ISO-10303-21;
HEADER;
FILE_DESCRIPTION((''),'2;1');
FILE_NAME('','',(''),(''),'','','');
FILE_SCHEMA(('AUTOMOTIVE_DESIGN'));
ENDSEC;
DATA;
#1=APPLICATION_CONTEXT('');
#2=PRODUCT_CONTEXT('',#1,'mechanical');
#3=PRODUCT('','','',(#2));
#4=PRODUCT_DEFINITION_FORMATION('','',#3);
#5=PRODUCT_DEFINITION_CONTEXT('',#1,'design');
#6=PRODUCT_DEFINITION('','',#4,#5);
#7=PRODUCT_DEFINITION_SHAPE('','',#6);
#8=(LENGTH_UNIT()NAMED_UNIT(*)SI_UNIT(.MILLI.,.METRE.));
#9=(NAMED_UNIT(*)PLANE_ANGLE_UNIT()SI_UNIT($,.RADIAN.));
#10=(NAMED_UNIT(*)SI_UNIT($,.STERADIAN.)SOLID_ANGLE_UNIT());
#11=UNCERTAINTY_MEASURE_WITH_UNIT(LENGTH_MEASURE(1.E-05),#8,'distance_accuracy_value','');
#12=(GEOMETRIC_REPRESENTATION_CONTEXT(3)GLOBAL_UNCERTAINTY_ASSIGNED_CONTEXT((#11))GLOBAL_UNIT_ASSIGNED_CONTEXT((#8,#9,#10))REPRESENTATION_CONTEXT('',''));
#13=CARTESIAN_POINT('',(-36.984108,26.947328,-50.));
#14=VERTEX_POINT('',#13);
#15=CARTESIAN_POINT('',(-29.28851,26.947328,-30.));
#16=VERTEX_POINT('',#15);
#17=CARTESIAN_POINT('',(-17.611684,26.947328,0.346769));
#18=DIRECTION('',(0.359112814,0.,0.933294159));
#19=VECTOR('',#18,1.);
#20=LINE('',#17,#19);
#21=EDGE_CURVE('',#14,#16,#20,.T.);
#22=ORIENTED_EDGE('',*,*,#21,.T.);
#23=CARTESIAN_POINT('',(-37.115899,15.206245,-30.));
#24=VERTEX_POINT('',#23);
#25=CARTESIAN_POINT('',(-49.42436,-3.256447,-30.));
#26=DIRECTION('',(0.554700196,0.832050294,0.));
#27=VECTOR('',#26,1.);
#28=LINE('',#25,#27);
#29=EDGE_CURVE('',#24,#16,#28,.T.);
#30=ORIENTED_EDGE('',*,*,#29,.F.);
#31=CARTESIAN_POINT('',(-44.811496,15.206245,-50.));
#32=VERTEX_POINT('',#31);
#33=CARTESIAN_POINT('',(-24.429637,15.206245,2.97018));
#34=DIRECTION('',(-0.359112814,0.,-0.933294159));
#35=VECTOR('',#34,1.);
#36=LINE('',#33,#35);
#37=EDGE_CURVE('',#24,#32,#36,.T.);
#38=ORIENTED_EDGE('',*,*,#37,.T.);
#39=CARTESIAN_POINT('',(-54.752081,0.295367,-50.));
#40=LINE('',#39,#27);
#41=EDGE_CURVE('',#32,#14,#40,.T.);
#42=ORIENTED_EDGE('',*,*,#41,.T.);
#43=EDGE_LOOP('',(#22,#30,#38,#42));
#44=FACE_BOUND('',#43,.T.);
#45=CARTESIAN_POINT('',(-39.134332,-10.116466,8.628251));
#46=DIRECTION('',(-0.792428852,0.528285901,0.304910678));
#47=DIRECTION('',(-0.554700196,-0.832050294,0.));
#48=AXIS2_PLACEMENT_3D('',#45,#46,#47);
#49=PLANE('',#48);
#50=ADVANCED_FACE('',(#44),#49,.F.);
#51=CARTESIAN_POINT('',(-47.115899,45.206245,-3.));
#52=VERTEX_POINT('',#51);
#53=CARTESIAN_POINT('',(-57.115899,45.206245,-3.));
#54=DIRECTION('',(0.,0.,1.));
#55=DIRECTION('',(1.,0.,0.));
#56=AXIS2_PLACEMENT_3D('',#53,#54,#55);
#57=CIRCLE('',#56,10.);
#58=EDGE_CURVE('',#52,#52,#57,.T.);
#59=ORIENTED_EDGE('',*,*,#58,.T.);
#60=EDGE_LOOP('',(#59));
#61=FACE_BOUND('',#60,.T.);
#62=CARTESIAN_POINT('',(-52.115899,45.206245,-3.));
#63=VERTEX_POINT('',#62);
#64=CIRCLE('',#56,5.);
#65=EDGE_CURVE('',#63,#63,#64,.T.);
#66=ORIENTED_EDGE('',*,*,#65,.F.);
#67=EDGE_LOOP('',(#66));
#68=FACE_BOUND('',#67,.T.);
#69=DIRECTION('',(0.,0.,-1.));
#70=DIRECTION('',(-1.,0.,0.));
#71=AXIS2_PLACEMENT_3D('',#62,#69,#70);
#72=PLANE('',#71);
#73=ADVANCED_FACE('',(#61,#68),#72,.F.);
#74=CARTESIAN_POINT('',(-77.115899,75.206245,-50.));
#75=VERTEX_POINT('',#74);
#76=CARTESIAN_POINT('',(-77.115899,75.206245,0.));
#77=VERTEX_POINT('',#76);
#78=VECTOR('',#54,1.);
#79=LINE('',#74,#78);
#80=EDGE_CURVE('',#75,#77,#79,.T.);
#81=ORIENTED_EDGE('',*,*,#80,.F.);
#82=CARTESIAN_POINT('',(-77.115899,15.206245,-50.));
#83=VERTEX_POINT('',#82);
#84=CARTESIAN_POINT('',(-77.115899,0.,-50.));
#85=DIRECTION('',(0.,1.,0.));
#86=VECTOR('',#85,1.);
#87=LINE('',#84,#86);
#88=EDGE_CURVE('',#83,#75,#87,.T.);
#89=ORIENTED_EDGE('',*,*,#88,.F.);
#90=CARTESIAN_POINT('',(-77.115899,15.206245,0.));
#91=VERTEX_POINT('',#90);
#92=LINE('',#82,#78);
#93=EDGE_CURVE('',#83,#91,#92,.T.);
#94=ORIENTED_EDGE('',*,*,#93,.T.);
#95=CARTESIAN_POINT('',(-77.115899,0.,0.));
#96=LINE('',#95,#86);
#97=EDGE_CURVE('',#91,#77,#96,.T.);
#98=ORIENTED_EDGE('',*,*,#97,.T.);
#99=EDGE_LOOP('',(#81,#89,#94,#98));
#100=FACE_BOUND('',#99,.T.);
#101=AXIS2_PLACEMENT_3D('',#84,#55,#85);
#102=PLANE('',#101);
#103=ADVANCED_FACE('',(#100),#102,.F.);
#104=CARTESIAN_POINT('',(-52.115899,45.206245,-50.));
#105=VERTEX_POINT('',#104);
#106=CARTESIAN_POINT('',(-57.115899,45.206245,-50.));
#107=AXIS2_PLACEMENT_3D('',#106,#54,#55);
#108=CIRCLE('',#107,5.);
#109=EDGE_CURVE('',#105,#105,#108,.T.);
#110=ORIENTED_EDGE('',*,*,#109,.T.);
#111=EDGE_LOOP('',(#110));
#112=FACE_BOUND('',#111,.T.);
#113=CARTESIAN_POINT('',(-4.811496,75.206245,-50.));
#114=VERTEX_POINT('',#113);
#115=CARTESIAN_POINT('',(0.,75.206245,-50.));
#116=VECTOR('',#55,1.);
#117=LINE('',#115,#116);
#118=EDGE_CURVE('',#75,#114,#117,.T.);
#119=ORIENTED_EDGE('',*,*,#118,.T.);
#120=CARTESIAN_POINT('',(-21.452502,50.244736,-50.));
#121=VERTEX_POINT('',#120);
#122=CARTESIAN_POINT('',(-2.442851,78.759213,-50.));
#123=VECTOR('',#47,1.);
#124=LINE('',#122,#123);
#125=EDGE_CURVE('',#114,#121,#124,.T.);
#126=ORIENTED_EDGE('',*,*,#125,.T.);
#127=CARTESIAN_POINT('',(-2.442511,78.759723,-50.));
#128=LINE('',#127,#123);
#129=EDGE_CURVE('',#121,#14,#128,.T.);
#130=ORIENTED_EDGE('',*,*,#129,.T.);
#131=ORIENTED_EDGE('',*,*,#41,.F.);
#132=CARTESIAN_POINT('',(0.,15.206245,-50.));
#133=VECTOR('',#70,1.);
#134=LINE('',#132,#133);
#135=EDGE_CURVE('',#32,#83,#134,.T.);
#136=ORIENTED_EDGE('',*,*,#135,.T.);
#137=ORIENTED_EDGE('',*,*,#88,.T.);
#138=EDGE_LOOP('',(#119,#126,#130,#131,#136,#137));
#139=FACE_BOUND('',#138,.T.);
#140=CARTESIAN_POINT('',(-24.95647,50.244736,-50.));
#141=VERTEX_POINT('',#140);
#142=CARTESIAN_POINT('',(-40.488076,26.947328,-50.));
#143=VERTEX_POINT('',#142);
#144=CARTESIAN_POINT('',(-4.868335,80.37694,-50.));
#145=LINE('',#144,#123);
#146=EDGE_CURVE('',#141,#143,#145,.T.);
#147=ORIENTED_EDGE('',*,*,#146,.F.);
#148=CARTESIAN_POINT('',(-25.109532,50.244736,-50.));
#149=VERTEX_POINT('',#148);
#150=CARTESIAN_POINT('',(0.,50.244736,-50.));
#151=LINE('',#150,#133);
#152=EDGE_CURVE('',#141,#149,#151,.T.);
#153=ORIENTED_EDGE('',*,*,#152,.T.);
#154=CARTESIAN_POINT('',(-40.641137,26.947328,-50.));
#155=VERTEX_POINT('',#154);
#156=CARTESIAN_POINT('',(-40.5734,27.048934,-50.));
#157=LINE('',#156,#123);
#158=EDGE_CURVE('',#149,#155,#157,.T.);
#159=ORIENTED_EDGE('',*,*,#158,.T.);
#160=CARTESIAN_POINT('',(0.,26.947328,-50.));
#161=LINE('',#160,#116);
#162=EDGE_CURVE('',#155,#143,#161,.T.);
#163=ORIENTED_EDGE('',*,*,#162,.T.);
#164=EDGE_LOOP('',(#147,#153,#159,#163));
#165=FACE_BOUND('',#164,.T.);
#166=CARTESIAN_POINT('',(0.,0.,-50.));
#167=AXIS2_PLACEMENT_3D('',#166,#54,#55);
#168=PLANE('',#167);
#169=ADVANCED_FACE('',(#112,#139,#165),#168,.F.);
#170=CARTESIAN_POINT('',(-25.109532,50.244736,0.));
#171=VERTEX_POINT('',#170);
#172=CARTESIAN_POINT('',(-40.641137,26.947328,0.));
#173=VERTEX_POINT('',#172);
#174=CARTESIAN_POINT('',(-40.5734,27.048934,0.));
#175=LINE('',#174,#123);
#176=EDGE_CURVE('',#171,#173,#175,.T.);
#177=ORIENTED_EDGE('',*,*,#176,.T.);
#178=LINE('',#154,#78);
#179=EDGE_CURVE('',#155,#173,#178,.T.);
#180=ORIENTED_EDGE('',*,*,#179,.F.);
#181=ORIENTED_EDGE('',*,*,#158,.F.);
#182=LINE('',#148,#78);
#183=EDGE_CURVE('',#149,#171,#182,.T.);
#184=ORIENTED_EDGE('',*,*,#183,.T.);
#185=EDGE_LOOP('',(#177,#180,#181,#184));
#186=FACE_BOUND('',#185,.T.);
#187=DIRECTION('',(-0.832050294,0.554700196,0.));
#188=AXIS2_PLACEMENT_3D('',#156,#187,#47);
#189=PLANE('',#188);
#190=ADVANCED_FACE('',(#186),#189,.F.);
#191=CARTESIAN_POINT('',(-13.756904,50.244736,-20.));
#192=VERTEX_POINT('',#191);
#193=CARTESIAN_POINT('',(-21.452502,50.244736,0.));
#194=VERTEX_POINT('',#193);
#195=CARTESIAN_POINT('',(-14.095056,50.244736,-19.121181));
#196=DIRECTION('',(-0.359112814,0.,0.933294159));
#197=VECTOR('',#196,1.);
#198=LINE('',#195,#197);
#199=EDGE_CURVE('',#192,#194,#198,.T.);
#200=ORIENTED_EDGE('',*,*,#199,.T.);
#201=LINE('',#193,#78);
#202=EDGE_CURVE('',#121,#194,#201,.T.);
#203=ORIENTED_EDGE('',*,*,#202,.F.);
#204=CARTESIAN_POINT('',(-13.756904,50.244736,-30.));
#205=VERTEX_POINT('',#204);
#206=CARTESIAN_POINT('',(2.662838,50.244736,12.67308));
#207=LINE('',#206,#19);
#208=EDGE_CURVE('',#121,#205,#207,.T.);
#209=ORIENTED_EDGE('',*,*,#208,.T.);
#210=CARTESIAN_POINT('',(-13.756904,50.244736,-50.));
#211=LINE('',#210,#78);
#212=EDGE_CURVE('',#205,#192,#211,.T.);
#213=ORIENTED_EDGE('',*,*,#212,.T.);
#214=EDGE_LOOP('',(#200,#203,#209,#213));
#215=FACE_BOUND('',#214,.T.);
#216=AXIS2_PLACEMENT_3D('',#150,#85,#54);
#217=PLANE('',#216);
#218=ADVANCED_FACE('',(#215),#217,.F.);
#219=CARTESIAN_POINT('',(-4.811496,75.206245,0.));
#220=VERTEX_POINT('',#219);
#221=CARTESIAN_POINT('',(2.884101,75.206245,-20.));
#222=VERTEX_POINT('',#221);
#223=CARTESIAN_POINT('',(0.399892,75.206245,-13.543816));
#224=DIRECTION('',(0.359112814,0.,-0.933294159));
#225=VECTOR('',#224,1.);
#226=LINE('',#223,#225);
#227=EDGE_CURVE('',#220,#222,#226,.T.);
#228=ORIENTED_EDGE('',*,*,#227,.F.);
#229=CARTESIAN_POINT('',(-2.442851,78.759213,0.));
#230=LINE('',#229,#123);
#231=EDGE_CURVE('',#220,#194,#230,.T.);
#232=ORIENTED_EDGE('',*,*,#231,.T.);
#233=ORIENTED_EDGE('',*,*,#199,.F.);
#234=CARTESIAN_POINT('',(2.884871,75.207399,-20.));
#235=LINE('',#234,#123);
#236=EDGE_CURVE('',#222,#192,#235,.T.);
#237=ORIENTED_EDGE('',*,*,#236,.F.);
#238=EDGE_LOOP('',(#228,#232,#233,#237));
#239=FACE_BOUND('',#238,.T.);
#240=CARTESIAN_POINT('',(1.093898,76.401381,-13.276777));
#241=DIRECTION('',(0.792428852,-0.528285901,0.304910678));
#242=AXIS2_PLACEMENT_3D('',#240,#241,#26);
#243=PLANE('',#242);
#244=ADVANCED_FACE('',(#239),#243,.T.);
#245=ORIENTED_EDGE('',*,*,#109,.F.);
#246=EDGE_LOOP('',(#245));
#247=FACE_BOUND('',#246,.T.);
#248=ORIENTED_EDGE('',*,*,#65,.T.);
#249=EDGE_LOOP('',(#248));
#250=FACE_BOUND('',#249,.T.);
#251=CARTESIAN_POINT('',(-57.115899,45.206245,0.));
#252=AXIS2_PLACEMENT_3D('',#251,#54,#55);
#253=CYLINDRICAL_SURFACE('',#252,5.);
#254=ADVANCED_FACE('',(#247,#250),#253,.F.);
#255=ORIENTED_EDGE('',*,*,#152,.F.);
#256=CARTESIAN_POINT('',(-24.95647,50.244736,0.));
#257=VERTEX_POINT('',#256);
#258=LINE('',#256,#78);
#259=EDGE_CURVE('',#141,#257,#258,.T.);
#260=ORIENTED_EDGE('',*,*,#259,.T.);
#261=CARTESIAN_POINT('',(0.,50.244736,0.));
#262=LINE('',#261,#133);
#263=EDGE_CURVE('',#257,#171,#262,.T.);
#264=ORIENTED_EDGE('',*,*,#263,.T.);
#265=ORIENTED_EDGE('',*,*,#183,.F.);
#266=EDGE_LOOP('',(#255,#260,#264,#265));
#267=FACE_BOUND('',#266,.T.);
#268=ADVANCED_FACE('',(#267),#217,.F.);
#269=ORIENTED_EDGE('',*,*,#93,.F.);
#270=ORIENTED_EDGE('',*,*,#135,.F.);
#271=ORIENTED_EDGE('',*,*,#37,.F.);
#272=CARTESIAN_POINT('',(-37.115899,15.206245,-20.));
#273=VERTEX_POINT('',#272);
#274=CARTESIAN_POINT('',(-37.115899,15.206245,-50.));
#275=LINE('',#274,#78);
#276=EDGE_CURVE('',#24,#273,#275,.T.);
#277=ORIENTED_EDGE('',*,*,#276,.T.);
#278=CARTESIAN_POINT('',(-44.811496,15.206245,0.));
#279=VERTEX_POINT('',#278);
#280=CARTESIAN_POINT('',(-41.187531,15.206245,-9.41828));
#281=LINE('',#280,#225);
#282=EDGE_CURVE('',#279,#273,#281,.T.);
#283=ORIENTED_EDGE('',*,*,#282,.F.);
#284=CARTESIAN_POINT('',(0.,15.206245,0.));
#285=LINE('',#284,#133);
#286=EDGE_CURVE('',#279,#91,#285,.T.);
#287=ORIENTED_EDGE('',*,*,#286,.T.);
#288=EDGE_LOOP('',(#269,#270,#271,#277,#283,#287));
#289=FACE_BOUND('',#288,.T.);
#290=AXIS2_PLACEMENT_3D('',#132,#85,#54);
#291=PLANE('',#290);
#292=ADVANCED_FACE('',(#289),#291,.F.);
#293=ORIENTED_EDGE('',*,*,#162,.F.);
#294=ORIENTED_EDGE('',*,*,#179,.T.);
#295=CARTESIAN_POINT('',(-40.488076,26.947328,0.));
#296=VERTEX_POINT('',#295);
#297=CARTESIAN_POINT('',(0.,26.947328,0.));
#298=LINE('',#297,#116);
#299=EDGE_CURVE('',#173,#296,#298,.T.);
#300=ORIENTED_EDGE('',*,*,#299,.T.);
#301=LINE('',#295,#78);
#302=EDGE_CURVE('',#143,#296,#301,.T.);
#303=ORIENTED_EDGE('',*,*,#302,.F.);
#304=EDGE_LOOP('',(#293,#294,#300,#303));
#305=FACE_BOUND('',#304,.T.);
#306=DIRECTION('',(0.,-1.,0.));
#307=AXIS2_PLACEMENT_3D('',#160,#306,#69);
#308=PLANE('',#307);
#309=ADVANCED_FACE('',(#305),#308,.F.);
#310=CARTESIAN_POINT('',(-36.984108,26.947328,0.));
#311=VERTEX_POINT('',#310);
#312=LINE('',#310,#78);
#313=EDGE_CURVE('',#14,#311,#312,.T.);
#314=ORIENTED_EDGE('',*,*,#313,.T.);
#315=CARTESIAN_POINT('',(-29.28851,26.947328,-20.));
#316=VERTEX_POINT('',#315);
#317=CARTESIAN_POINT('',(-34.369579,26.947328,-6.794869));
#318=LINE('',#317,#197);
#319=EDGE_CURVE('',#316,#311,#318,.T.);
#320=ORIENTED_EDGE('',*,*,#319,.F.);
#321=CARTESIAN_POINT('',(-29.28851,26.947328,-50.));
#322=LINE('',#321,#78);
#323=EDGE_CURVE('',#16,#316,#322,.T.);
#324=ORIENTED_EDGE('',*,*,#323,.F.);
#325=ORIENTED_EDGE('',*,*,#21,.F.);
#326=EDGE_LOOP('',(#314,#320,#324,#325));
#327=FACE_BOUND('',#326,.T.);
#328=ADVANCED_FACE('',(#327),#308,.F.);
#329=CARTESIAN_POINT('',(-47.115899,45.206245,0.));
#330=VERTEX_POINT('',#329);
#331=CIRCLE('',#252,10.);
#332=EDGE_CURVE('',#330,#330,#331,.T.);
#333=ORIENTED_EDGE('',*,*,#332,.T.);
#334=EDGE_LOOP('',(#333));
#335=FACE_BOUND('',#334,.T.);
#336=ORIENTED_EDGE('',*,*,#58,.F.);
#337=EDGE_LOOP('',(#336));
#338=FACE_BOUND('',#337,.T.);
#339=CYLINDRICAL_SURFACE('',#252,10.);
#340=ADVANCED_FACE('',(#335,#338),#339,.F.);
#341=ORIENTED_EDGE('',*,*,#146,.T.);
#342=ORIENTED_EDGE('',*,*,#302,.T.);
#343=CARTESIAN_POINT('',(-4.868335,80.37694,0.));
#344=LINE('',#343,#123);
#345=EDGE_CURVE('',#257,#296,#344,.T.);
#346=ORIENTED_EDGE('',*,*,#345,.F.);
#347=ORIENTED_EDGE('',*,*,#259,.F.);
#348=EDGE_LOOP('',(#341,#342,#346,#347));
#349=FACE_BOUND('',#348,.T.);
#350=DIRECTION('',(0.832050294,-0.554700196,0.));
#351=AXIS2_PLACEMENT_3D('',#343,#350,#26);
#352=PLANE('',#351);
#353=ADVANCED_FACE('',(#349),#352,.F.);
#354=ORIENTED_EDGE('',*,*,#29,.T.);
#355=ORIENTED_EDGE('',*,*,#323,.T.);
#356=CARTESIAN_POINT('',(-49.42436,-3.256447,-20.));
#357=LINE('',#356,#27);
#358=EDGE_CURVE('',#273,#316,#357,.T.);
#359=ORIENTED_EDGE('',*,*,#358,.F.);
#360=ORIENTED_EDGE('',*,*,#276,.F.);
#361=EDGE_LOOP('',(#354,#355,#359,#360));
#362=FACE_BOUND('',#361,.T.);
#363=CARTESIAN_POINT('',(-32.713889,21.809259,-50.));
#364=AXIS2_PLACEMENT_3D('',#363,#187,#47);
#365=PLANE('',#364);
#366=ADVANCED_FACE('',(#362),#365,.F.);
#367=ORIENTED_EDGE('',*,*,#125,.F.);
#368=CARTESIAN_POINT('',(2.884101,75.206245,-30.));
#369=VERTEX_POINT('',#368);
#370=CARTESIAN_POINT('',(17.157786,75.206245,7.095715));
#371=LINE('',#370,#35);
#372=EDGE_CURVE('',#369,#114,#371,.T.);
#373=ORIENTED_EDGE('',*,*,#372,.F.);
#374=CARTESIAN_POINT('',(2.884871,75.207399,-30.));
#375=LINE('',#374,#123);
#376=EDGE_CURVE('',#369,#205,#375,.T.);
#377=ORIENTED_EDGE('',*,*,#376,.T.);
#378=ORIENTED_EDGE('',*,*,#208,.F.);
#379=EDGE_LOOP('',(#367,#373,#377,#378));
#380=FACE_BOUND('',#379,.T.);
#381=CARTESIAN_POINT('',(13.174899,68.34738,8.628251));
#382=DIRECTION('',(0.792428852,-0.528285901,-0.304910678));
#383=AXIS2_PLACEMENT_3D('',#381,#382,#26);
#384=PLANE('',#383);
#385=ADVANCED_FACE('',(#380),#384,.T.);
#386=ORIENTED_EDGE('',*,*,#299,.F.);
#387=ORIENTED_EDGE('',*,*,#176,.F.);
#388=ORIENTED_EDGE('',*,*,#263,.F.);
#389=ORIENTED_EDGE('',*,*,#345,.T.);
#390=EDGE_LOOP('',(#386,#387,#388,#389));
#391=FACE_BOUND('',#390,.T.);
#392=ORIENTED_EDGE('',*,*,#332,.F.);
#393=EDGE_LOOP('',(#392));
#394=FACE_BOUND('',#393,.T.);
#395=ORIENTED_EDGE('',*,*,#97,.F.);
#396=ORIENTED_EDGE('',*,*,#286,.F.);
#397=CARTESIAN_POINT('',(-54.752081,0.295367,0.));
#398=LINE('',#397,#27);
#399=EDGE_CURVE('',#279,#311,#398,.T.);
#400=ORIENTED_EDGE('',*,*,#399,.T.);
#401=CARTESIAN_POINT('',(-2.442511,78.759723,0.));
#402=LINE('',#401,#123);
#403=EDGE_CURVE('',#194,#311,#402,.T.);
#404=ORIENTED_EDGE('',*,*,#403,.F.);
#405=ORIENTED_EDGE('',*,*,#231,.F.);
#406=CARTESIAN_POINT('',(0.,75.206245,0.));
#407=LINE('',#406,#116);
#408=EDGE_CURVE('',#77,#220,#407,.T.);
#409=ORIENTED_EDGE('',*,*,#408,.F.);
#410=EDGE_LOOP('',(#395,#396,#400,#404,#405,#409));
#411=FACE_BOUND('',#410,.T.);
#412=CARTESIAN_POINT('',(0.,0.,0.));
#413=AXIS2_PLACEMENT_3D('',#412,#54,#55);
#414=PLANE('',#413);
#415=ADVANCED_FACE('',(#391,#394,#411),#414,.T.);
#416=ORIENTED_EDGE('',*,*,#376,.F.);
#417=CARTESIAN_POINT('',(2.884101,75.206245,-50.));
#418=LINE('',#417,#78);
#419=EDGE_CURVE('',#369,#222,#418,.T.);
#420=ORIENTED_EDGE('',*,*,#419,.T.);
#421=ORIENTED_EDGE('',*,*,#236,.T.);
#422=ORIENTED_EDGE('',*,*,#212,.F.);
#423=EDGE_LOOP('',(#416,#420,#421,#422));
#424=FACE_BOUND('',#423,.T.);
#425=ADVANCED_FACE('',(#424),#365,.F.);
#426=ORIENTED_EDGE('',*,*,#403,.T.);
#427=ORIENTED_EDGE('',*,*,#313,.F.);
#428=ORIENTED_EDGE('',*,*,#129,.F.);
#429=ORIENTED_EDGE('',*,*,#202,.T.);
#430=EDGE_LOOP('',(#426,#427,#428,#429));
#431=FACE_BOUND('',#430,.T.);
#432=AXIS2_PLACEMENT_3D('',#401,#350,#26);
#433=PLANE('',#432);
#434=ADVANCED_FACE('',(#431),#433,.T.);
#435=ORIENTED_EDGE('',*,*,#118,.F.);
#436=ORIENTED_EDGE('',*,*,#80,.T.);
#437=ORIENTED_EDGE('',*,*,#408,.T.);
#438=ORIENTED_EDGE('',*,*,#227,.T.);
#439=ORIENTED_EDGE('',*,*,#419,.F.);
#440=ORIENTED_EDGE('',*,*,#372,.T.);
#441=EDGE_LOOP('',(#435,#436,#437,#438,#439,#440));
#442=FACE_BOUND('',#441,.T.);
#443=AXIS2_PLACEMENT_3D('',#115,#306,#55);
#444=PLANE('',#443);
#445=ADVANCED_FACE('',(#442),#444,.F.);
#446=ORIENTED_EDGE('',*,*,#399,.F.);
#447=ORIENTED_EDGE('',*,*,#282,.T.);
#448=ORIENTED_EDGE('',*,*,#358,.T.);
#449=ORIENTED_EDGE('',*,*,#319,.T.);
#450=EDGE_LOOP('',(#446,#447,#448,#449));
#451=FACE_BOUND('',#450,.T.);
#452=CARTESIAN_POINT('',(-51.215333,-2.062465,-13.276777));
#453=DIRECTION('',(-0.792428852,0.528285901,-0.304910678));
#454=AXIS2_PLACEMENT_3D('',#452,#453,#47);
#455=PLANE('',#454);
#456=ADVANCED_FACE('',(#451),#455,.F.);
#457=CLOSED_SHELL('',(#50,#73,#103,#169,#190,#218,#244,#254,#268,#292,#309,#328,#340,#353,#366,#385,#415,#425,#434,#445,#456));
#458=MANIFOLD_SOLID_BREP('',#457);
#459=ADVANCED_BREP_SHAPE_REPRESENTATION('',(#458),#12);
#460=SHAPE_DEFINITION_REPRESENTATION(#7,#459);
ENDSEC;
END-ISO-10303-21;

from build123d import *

# Parameters (mm, degrees)
BOSS_EXTRUDE4_DEPTH                                 = 50
CBORE_FOR_00_BINDING_HEAD_MACHINE_SCREW_D           = 10.000000066
CBORE_FOR_00_BINDING_HEAD_MACHINE_SCREW_CBORE_D     = 19.999999878
CBORE_FOR_00_BINDING_HEAD_MACHINE_SCREW_CBORE_DEPTH = 3.000000096
BOSS_EXTRUDE5_REACH                                 = 119.883
SKETCH13_W                                          = 50
SKETCH13_H                                          = 2.915477917
BOSS_EXTRUDE5_DIRECTION_2_REACH                     = 119.883
CUT_EXTRUDE4_REACH                                  = 119.883
CUT_EXTRUDE4_DIRECTION_2_REACH                      = 119.883


with BuildPart() as part:
    # Sketch1 → Boss-Extrude4 (new body)
    with BuildSketch(Plane.XY):
        Polygon((-37.115898542, 15.206245128), (-57.115898542, 15.206245128), (-17.115898542, 75.206245128), (2.884101458, 75.206245128), (-13.756904429, 50.244736298), (-25.109531796, 50.244736298), (-40.64113729, 26.947328056), (-29.288509924, 26.947328056), align=None)
        Polygon((-77.115898542, 15.206245128), (-77.115898542, 75.206245128), (-17.115898542, 75.206245128), (-57.115898542, 15.206245128), align=None)
    extrude(amount=-BOSS_EXTRUDE4_DEPTH)

    # CBORE for #00 Binding Head Machine Screw2 (through all)
    with Locations(Plane.XY):
        with Locations((-57.115898542, 45.206245128)):
            CounterBoreHole(CBORE_FOR_00_BINDING_HEAD_MACHINE_SCREW_D / 2, CBORE_FOR_00_BINDING_HEAD_MACHINE_SCREW_CBORE_D / 2, CBORE_FOR_00_BINDING_HEAD_MACHINE_SCREW_CBORE_DEPTH)

    # Boss-Extrude5: up to this plane
    boss_extrude5_end = Plane(origin=(0, 50.244736298, -50), z_dir=(0, 1, 0))
    # Sketch13 → Boss-Extrude5 (add, up to the surface)
    with BuildSketch(Plane(origin=(3.425379126, 5.13806869, 0), x_dir=(0, 0, 1), z_dir=(0.5547001962252258, 0.8320502943378458, 0)), mode=Mode.PRIVATE) as boss_extrude5_sk1:
        with Locations((-25, -47.17806466)):
            Rectangle(SKETCH13_W, SKETCH13_H)
    boss_extrude5_tool1 = split(extrude(boss_extrude5_sk1.sketch, amount=BOSS_EXTRUDE5_REACH, mode=Mode.PRIVATE), bisect_by=boss_extrude5_end, keep=Keep.BOTH, mode=Mode.PRIVATE)
    add(boss_extrude5_tool1.solids().sort_by_distance((-35.829143, 31.30775, -25))[0])

    # Boss-Extrude5 direction 2: up to this plane
    boss_extrude5_direction_2_end = Plane(origin=(0, 26.947328056, -50), z_dir=(0, -1, 0))
    # Sketch13 → Boss-Extrude5 direction 2 (add, up to the surface)
    with BuildSketch(Plane(origin=(3.425379126, 5.13806869, 0), x_dir=(0, 0, 1), z_dir=(0.5547001962252258, 0.8320502943378458, 0)), mode=Mode.PRIVATE) as boss_extrude5_direction_2_sk1:
        with Locations((-25, -47.17806466)):
            Rectangle(SKETCH13_W, SKETCH13_H)
    boss_extrude5_direction_2_tool1 = split(extrude(boss_extrude5_direction_2_sk1.sketch, amount=-BOSS_EXTRUDE5_DIRECTION_2_REACH, mode=Mode.PRIVATE), bisect_by=boss_extrude5_direction_2_end, keep=Keep.BOTH, mode=Mode.PRIVATE)
    add(boss_extrude5_direction_2_tool1.solids().sort_by_distance((-35.829143, 31.30775, -25))[0])

    # Sketch13<5> → Cut-Extrude4 (cut, up to next)
    with BuildSketch(Plane(origin=(3.425379126, 5.13806869, 0), x_dir=(0, 0, 1), z_dir=(0.5547001962252258, 0.8320502943378458, 0)), mode=Mode.PRIVATE) as cut_extrude4_sk1:
        Polygon((-50, -39.317201463), (-30, -39.317201463), (-50, -45.720325701), align=None)
    cut_extrude4_tool1 = extrude(cut_extrude4_sk1.sketch, amount=-CUT_EXTRUDE4_REACH, mode=Mode.PRIVATE) & part.part
    # Sketch13<5> → Cut-Extrude4 (cut, up to next)
    with BuildSketch(Plane(origin=(3.425379126, 5.13806869, 0), x_dir=(0, 0, 1), z_dir=(0.5547001962252258, 0.8320502943378458, 0)), mode=Mode.PRIVATE) as cut_extrude4_sk2:
        Polygon((0, -39.317201463), (0, -45.720325701), (-20, -39.317201463), align=None)
    cut_extrude4_tool2 = extrude(cut_extrude4_sk2.sketch, amount=-CUT_EXTRUDE4_REACH, mode=Mode.PRIVATE) & part.part
    add(cut_extrude4_tool1.solids().sort_by_distance((-31.064417, 28.131266, -43.333333))[0], mode=Mode.SUBTRACT)
    add(cut_extrude4_tool2.solids().sort_by_distance((-31.064417, 28.131266, -6.666667))[0], mode=Mode.SUBTRACT)

    # Sketch13<5> → Cut-Extrude4 direction 2 (cut, up to next)
    with BuildSketch(Plane(origin=(3.425379126, 5.13806869, 0), x_dir=(0, 0, 1), z_dir=(0.5547001962252258, 0.8320502943378458, 0)), mode=Mode.PRIVATE) as cut_extrude4_direction_2_sk1:
        Polygon((-50, -39.317201463), (-30, -39.317201463), (-50, -45.720325701), align=None)
    cut_extrude4_direction_2_tool1 = extrude(cut_extrude4_direction_2_sk1.sketch, amount=CUT_EXTRUDE4_DIRECTION_2_REACH, mode=Mode.PRIVATE) & part.part
    # Sketch13<5> → Cut-Extrude4 direction 2 (cut, up to next)
    with BuildSketch(Plane(origin=(3.425379126, 5.13806869, 0), x_dir=(0, 0, 1), z_dir=(0.5547001962252258, 0.8320502943378458, 0)), mode=Mode.PRIVATE) as cut_extrude4_direction_2_sk2:
        Polygon((0, -39.317201463), (0, -45.720325701), (-20, -39.317201463), align=None)
    cut_extrude4_direction_2_tool2 = extrude(cut_extrude4_direction_2_sk2.sketch, amount=CUT_EXTRUDE4_DIRECTION_2_REACH, mode=Mode.PRIVATE) & part.part
    add(cut_extrude4_direction_2_tool1.solids().sort_by_distance((-31.064417, 28.131266, -43.333333))[0], mode=Mode.SUBTRACT)
    add(cut_extrude4_direction_2_tool2.solids().sort_by_distance((-31.064417, 28.131266, -6.666667))[0], mode=Mode.SUBTRACT)


solid = part.part
